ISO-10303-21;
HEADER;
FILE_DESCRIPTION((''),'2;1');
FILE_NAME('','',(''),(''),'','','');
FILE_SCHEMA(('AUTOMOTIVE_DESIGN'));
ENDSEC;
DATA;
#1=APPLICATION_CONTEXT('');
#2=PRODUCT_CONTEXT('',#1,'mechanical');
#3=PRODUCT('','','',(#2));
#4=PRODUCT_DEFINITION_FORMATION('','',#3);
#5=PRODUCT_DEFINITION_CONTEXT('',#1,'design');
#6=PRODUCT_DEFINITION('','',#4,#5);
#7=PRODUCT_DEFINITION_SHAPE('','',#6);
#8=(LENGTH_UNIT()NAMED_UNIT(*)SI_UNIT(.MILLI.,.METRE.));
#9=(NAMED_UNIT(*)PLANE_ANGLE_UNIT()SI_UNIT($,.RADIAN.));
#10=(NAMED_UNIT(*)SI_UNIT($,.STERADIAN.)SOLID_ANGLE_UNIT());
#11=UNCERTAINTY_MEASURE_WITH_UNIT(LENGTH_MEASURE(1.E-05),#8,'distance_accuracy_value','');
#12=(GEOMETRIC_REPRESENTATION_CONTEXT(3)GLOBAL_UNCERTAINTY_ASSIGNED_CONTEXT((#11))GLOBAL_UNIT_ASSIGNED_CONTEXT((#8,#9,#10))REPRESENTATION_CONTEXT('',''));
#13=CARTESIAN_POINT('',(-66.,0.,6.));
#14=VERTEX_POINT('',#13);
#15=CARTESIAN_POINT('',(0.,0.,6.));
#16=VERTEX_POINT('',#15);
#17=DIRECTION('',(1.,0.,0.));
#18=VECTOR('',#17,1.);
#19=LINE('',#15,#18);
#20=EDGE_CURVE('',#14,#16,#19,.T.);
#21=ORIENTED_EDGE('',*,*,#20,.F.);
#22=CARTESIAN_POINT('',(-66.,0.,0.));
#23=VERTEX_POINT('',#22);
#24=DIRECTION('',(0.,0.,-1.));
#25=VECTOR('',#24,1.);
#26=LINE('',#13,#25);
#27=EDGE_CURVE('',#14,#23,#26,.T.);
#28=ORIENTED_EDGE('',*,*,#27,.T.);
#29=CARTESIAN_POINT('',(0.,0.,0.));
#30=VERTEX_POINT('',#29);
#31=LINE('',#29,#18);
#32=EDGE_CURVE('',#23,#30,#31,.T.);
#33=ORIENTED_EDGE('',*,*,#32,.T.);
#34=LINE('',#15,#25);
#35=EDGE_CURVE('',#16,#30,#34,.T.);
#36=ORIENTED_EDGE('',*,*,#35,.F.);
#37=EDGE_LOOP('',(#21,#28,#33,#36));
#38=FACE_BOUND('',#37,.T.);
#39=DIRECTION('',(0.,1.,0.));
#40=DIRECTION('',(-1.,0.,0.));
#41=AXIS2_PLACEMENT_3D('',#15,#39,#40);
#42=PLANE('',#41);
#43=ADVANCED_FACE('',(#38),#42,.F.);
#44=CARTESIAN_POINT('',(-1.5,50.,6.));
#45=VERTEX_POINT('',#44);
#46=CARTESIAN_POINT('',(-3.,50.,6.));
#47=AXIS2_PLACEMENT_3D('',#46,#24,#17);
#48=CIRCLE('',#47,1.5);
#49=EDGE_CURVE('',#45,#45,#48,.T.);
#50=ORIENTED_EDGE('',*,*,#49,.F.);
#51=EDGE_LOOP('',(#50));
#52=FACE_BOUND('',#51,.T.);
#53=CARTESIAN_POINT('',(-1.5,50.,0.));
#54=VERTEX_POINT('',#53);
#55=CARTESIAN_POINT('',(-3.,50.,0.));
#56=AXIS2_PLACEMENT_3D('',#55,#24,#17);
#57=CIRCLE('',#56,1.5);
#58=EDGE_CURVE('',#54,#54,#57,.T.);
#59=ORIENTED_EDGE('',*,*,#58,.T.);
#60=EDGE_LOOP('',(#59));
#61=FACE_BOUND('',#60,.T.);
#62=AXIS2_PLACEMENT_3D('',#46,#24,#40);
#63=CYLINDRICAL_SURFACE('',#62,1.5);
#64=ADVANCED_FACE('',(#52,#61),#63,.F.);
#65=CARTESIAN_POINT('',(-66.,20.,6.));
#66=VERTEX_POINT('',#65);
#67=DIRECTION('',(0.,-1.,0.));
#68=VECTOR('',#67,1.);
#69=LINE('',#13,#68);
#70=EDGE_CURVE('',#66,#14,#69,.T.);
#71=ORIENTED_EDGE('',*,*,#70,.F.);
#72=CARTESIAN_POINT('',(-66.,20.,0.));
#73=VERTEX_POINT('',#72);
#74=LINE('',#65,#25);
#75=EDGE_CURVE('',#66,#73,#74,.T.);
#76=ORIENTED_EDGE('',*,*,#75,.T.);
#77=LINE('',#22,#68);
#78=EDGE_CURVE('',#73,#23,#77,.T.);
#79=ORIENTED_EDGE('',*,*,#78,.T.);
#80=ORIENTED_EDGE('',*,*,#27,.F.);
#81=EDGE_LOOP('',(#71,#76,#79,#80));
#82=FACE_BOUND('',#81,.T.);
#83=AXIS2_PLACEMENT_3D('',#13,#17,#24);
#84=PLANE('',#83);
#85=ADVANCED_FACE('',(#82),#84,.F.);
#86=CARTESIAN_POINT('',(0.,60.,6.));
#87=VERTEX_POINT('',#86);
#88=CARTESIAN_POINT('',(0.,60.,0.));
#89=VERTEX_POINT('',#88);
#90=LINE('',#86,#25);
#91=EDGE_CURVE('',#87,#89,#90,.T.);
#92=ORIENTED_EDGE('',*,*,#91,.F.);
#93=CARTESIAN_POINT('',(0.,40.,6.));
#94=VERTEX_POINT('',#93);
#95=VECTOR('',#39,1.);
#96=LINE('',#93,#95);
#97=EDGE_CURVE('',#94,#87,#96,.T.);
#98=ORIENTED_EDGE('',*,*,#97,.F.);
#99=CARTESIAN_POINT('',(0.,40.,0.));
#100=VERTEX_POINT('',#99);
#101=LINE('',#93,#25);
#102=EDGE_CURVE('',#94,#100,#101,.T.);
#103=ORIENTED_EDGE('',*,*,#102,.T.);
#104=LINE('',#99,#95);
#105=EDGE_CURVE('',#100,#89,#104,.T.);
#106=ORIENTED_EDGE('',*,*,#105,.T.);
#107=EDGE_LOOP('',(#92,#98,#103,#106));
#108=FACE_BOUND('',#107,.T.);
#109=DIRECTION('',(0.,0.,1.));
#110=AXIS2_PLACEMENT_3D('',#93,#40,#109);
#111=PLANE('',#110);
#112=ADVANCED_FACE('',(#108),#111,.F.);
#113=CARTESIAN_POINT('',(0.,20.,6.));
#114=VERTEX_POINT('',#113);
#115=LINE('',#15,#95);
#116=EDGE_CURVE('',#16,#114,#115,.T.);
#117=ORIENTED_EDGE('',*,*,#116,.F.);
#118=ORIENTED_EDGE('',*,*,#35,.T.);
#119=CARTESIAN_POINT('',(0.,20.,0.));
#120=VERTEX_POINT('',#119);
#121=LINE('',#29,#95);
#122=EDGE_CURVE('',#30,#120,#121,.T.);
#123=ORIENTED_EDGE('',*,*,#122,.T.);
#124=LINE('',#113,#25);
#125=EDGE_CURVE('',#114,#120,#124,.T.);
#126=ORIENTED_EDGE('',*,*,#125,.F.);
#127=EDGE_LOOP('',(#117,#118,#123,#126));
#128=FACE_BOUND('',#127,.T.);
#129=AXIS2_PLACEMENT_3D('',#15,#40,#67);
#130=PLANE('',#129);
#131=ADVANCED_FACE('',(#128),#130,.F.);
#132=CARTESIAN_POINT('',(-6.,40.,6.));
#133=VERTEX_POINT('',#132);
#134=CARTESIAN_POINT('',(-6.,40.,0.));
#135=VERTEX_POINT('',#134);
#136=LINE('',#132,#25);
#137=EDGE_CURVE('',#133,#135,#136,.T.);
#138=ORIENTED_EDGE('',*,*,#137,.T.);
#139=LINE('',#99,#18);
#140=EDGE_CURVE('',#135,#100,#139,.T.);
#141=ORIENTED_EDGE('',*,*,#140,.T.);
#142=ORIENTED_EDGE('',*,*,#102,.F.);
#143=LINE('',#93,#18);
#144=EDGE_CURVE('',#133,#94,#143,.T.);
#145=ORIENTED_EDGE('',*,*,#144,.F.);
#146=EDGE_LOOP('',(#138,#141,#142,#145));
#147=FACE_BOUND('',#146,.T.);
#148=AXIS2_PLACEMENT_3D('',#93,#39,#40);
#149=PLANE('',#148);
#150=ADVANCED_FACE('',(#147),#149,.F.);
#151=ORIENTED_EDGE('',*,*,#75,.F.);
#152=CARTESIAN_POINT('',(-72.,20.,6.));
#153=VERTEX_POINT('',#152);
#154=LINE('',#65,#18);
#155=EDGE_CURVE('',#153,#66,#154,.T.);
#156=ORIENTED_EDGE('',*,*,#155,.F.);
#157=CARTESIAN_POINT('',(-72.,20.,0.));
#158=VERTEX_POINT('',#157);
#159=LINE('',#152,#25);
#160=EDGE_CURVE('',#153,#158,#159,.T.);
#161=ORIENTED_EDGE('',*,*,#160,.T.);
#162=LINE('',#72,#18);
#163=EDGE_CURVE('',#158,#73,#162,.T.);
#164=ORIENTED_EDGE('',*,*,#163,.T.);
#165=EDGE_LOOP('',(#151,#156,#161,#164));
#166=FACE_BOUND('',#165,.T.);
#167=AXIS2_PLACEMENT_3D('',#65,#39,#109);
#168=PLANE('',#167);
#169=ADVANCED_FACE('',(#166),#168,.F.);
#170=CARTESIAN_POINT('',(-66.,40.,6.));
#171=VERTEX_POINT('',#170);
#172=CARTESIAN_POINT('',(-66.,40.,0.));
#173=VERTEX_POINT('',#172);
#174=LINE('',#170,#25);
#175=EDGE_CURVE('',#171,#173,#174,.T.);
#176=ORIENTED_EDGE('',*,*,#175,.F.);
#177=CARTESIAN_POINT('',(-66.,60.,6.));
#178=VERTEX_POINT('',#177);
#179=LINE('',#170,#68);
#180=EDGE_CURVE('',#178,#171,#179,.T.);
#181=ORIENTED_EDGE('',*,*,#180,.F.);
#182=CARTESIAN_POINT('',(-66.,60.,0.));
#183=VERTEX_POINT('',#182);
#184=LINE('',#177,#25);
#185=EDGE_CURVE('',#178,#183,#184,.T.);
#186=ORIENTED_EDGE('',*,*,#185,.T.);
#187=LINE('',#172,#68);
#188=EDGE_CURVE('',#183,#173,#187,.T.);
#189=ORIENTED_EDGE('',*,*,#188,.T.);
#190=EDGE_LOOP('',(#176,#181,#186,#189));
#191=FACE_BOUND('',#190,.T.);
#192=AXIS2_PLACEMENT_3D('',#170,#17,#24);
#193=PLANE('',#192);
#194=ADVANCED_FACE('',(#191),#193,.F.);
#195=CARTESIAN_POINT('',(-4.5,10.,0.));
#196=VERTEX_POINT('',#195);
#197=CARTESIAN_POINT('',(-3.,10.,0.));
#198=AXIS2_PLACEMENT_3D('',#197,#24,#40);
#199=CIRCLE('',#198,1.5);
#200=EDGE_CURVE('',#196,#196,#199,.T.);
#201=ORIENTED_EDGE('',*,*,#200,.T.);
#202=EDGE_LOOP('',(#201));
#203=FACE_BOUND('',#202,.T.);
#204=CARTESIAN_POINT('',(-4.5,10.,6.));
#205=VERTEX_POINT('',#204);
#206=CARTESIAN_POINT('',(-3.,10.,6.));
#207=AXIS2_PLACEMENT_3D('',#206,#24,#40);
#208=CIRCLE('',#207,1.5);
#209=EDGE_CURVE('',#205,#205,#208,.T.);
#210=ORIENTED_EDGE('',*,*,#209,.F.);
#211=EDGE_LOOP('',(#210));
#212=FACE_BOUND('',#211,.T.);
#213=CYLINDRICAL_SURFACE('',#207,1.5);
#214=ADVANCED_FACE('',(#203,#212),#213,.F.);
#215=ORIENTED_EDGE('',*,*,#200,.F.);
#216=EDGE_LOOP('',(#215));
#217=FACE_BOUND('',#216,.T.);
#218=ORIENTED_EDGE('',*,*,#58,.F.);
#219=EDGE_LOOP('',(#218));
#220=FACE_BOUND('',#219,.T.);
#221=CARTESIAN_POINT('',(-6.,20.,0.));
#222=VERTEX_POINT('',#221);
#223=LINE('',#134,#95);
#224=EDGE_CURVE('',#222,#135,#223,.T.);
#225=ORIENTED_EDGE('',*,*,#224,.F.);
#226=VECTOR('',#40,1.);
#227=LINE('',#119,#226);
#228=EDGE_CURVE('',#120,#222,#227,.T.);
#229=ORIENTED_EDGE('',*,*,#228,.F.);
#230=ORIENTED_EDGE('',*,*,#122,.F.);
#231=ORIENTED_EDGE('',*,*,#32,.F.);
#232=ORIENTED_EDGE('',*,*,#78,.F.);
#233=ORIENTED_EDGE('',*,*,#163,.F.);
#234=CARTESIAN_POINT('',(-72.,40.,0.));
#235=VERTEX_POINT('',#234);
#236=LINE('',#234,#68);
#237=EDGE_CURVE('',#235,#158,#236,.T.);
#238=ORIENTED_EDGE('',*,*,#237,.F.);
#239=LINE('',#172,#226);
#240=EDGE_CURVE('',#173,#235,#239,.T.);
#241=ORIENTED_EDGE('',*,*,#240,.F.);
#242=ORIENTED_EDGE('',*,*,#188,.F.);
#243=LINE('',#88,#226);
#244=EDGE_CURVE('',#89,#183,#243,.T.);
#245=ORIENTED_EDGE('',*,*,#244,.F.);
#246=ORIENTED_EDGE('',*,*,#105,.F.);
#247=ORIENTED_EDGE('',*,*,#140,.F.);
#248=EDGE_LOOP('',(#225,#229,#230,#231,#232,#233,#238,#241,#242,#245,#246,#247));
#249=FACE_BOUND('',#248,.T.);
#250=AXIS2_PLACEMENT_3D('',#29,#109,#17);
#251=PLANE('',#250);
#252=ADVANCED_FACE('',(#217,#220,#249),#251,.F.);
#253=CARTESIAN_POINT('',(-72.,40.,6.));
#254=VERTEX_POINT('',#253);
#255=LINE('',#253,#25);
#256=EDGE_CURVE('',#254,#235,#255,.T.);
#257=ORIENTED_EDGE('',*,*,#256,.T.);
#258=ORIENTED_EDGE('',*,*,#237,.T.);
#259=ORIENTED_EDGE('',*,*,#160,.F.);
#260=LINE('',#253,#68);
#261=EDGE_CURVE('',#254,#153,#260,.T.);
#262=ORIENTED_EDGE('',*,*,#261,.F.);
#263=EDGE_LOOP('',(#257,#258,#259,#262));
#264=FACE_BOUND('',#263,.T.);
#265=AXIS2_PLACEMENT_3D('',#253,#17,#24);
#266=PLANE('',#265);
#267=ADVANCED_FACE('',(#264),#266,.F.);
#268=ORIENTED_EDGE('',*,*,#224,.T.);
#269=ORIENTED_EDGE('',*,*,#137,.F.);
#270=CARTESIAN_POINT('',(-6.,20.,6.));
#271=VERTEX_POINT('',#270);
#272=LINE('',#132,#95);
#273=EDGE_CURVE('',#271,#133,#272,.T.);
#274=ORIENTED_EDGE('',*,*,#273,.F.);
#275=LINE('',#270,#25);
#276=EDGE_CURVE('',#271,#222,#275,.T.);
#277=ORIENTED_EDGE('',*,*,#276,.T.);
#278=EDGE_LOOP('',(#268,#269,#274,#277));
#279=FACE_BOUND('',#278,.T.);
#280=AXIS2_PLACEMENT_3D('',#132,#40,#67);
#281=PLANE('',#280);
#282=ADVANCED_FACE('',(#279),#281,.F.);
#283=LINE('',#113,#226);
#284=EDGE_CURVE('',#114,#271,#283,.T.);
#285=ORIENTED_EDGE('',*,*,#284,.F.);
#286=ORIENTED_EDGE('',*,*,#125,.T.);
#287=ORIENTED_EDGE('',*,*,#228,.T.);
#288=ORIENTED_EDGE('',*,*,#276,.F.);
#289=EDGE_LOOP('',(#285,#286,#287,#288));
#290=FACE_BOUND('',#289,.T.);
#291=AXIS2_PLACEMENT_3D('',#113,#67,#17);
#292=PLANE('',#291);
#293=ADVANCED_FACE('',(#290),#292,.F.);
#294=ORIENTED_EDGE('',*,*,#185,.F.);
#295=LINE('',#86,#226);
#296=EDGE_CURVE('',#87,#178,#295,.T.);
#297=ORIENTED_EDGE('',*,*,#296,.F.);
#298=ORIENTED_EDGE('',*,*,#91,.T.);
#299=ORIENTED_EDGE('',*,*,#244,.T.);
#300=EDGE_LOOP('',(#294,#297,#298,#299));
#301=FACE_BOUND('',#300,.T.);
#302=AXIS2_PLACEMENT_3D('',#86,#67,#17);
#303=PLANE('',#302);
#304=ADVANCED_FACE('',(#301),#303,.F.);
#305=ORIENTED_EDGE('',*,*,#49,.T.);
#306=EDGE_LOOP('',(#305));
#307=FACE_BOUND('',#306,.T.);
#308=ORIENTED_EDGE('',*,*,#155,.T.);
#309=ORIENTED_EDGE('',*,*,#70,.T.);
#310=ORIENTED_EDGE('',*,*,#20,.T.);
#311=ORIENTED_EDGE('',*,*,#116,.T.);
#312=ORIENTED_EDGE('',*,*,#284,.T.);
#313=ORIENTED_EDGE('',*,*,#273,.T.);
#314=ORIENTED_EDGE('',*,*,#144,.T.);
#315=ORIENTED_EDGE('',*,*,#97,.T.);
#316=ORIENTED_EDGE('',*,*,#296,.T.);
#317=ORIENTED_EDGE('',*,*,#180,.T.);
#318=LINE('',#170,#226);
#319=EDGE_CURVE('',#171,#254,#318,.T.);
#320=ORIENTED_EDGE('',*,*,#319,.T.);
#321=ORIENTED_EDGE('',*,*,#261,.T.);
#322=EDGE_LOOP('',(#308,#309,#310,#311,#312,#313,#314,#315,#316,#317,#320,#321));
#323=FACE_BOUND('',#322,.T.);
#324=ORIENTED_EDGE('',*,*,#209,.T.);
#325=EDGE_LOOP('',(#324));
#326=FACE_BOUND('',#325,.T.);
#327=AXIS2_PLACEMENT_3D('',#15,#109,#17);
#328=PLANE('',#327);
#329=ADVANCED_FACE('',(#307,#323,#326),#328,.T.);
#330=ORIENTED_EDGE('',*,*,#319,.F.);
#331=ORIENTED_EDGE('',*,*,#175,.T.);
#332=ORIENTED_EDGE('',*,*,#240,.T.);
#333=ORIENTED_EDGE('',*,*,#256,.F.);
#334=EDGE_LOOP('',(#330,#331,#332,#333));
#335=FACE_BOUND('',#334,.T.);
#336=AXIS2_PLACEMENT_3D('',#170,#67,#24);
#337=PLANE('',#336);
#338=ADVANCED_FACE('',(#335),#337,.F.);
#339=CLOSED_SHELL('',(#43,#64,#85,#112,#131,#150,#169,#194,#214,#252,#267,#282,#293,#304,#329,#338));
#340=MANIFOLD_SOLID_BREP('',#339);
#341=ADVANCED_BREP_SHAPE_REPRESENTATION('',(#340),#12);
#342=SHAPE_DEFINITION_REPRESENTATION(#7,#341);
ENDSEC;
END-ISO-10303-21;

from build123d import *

# Parameters (mm, degrees)
BOSS_EXTRU_1_DEPTH      = 6
ESQUISSE2_R             = 1.5
ENL_V_MAT_EXTRU_1_DEPTH = 94.914855055


with BuildPart() as part:
    # Esquisse1 → Boss.-Extru.1 (new body)
    with BuildSketch(Plane.XY):
        Polygon((0, 0), (-66, 0), (-66, 20), (-72, 20), (-72, 40), (-66, 40), (-66, 60), (0, 60), (0, 40), (-6, 40), (-6, 20), (0, 20), align=None)
    extrude(amount=BOSS_EXTRU_1_DEPTH)

    # Esquisse2 → Enlèv. mat.-Extru.1 (cut, through all)
    with BuildSketch(Plane(origin=(0, 0, 0), x_dir=(-1, 0, 0), z_dir=(0, 0, -1))):
        with Locations(Location((3, 50, 0), (0, 0, 180))):
            Circle(ESQUISSE2_R)
        with Locations((3, 10)):
            Circle(ESQUISSE2_R)
    extrude(amount=-ENL_V_MAT_EXTRU_1_DEPTH, mode=Mode.SUBTRACT)


solid = part.part
